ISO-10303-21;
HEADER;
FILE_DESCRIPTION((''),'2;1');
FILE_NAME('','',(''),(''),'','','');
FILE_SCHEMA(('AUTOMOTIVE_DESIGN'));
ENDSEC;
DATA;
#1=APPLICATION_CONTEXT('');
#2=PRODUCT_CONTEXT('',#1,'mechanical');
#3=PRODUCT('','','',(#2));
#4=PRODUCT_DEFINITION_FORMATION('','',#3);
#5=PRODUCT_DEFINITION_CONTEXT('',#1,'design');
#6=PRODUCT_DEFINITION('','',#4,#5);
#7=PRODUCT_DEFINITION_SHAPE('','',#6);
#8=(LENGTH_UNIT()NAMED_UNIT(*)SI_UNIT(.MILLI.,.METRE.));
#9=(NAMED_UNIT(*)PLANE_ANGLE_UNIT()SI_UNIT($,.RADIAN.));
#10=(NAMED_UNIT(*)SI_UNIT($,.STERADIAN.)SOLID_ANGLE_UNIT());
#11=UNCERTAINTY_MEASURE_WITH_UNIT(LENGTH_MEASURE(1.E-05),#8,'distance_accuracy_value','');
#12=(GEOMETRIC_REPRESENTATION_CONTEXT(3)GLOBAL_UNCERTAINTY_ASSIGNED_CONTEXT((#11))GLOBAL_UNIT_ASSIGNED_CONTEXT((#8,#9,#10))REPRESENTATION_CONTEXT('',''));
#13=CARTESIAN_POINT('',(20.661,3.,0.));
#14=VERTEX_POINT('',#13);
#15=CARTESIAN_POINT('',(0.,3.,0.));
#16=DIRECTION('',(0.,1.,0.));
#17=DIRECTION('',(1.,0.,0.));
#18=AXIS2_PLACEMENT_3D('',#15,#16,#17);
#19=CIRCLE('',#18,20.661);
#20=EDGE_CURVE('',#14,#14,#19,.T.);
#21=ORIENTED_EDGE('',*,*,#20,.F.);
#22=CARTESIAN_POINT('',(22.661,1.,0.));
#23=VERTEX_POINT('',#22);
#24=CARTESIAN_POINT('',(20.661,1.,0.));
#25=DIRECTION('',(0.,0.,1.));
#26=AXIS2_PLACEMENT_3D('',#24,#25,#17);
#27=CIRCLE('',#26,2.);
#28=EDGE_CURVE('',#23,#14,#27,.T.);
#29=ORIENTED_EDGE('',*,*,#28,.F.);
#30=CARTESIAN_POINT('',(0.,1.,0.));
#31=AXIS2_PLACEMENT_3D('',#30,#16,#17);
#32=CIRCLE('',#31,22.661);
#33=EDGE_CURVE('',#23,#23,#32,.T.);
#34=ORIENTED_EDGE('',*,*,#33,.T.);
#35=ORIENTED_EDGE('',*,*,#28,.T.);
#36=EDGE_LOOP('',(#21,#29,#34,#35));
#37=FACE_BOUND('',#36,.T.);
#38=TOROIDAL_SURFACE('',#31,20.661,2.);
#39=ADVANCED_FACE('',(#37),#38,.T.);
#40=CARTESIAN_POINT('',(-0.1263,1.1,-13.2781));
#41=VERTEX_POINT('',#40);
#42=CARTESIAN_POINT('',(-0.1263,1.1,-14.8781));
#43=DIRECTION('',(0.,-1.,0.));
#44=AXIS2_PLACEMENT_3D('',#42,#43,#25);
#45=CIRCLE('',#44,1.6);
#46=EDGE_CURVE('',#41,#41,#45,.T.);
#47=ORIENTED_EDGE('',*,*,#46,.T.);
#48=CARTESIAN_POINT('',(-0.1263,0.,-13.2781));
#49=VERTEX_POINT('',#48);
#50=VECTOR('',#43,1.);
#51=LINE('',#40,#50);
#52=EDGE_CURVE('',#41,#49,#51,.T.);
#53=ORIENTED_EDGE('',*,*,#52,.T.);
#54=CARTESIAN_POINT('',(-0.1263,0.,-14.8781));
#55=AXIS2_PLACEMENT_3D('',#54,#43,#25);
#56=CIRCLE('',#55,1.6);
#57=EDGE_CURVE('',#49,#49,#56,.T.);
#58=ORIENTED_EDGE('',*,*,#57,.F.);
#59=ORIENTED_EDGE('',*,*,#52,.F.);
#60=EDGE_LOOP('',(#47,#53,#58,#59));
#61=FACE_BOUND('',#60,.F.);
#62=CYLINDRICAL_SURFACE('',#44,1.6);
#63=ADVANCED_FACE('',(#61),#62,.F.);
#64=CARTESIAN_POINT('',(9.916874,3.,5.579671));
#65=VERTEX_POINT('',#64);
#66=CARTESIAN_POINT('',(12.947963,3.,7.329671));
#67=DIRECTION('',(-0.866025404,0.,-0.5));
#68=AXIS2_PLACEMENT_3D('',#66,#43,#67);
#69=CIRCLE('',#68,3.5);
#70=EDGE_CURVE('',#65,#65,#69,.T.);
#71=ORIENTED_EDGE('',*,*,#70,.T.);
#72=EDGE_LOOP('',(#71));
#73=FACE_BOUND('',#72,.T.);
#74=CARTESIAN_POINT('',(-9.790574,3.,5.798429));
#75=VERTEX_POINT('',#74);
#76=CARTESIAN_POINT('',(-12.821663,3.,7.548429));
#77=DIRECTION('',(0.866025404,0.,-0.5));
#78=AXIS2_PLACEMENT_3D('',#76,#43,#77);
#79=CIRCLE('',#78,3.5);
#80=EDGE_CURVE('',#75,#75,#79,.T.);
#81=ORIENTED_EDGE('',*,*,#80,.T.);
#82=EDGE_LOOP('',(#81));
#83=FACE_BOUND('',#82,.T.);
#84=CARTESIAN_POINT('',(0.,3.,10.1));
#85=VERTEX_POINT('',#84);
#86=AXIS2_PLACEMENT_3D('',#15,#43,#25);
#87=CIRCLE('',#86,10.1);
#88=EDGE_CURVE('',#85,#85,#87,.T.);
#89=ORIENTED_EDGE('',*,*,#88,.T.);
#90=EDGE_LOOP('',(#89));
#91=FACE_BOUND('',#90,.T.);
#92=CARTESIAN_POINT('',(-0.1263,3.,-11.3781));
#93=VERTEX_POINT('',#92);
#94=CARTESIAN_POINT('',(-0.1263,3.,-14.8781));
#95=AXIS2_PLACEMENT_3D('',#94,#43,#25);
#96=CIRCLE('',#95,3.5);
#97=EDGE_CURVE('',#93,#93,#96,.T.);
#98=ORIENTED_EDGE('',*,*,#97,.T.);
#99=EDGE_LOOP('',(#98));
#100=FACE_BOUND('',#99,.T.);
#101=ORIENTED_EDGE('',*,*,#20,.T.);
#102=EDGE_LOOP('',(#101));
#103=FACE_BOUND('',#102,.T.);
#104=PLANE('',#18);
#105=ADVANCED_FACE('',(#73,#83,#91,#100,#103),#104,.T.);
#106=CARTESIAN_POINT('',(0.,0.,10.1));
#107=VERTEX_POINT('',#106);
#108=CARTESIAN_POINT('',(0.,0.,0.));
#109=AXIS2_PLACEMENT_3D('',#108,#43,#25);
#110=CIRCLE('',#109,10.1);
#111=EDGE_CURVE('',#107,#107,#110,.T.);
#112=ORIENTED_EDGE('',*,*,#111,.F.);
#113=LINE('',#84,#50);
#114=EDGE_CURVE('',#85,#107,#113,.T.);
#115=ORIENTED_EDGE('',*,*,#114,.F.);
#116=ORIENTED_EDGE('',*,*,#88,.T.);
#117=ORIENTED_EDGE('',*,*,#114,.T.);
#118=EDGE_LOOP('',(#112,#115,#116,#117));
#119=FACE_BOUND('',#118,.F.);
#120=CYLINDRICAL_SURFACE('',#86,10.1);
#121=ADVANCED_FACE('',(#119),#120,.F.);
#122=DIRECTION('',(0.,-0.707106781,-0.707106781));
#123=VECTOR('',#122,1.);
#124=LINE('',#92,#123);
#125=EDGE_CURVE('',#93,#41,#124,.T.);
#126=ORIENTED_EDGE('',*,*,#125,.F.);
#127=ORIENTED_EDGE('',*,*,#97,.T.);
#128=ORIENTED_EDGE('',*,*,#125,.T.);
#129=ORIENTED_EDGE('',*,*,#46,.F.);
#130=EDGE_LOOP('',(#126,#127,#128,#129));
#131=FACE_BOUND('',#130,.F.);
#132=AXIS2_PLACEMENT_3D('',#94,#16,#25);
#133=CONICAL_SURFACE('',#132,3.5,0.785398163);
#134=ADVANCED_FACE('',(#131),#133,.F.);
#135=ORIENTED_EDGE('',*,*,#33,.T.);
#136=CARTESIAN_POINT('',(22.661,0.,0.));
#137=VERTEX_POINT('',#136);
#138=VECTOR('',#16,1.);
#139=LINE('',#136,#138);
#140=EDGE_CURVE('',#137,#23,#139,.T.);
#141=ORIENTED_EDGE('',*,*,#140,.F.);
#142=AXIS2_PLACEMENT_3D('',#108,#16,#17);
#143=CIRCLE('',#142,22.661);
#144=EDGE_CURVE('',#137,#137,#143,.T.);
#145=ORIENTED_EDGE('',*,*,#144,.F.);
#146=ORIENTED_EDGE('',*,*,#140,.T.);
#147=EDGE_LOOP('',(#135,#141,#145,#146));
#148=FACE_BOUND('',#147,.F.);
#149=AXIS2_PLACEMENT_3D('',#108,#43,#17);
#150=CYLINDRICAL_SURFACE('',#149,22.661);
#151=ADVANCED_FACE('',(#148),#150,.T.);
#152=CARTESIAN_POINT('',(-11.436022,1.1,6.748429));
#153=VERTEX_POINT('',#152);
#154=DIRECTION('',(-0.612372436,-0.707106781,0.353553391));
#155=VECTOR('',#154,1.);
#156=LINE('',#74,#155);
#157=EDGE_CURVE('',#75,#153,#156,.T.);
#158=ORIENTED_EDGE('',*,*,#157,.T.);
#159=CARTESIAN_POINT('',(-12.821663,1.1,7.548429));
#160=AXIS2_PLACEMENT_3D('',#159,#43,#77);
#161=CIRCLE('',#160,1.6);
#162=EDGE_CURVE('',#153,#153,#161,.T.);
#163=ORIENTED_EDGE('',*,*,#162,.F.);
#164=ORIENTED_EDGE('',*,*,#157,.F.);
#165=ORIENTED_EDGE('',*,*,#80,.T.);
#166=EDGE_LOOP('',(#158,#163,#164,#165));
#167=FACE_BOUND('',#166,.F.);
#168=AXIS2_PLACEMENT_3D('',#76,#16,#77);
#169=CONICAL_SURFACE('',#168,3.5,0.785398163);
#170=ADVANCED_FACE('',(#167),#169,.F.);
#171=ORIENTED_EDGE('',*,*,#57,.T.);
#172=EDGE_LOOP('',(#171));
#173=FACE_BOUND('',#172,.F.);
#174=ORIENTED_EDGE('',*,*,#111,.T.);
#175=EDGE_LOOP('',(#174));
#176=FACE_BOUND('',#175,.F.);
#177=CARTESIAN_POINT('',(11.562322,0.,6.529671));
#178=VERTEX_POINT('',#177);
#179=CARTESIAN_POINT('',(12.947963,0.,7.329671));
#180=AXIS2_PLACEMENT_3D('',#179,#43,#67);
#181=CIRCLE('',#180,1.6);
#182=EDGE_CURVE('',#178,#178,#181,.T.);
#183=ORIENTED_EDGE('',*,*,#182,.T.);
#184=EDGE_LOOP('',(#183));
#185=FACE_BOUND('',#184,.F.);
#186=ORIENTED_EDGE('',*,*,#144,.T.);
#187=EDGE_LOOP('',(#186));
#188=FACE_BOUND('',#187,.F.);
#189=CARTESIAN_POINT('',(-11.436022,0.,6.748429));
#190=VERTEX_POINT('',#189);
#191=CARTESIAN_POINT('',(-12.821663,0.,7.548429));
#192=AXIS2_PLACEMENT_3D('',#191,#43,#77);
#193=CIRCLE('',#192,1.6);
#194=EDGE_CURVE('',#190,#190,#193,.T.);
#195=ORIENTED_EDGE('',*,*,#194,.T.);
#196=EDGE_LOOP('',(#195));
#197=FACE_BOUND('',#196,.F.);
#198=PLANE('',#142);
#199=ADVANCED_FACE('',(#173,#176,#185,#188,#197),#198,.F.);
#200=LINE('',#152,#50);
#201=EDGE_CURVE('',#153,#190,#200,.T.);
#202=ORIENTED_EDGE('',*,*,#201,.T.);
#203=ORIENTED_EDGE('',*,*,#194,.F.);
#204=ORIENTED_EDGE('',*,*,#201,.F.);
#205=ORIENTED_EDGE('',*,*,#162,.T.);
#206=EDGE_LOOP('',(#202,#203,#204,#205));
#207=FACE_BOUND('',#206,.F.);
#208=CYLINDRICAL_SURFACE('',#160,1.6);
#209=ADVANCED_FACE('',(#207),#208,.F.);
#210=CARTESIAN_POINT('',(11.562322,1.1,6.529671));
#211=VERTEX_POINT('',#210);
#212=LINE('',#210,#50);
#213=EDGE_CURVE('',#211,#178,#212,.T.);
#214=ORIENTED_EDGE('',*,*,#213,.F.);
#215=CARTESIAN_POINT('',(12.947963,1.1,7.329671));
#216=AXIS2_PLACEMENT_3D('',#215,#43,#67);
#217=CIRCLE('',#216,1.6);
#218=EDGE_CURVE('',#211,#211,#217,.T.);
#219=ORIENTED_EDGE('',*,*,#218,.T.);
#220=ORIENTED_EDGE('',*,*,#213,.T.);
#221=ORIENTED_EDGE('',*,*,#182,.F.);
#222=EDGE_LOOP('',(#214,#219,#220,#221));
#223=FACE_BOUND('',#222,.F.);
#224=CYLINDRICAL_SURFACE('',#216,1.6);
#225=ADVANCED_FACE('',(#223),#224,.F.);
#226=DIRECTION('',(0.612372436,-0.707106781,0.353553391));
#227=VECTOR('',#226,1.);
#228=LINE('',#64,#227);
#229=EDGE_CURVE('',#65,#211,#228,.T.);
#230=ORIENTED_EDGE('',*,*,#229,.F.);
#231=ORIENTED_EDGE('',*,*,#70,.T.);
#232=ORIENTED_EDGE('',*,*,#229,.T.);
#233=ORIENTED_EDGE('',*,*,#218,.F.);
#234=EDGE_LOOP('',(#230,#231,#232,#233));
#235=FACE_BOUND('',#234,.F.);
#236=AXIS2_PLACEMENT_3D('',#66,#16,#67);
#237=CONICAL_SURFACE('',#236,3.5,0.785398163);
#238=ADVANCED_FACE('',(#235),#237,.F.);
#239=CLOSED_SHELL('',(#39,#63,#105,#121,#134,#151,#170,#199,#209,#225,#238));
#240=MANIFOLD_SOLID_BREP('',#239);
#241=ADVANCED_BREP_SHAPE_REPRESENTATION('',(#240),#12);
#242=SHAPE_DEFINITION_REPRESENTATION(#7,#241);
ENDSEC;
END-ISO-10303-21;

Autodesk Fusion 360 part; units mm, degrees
sketch "Sketch1" plane through (0, 0, 0) normal (0, 1, 0) x (1, 0, 0)
  circle A0 centre (0, 0) radius 22.661
extrude "Extrude1" add sketch "Sketch1" along normal blind 3
hole "Hole1" at (0, 3, 0) direction (0, -1, 0) diameter 20.2 depth 3 tip angle 180
hole "Hole2" at (-0.1263, 3, -14.8781) direction (0, -1, 0) diameter 3.2 depth 30 tip angle 180 countersink diameter 7 countersink angle 90
sketch "Sketch2" plane through (0, 0, 0) normal (0, 1, 0) x (1, 0, 0)
  circle A0 centre (0, 0) radius 15
  dimension "d9" = 30
pattern_circular "C-Pattern1" count 3 over 360 about axis through (0, 0, 0) along (0, 1, 0) of "Hole2"
fillet "Fillet1" radius 2 1 edges at (-21.1274, 3, 8.1946)
